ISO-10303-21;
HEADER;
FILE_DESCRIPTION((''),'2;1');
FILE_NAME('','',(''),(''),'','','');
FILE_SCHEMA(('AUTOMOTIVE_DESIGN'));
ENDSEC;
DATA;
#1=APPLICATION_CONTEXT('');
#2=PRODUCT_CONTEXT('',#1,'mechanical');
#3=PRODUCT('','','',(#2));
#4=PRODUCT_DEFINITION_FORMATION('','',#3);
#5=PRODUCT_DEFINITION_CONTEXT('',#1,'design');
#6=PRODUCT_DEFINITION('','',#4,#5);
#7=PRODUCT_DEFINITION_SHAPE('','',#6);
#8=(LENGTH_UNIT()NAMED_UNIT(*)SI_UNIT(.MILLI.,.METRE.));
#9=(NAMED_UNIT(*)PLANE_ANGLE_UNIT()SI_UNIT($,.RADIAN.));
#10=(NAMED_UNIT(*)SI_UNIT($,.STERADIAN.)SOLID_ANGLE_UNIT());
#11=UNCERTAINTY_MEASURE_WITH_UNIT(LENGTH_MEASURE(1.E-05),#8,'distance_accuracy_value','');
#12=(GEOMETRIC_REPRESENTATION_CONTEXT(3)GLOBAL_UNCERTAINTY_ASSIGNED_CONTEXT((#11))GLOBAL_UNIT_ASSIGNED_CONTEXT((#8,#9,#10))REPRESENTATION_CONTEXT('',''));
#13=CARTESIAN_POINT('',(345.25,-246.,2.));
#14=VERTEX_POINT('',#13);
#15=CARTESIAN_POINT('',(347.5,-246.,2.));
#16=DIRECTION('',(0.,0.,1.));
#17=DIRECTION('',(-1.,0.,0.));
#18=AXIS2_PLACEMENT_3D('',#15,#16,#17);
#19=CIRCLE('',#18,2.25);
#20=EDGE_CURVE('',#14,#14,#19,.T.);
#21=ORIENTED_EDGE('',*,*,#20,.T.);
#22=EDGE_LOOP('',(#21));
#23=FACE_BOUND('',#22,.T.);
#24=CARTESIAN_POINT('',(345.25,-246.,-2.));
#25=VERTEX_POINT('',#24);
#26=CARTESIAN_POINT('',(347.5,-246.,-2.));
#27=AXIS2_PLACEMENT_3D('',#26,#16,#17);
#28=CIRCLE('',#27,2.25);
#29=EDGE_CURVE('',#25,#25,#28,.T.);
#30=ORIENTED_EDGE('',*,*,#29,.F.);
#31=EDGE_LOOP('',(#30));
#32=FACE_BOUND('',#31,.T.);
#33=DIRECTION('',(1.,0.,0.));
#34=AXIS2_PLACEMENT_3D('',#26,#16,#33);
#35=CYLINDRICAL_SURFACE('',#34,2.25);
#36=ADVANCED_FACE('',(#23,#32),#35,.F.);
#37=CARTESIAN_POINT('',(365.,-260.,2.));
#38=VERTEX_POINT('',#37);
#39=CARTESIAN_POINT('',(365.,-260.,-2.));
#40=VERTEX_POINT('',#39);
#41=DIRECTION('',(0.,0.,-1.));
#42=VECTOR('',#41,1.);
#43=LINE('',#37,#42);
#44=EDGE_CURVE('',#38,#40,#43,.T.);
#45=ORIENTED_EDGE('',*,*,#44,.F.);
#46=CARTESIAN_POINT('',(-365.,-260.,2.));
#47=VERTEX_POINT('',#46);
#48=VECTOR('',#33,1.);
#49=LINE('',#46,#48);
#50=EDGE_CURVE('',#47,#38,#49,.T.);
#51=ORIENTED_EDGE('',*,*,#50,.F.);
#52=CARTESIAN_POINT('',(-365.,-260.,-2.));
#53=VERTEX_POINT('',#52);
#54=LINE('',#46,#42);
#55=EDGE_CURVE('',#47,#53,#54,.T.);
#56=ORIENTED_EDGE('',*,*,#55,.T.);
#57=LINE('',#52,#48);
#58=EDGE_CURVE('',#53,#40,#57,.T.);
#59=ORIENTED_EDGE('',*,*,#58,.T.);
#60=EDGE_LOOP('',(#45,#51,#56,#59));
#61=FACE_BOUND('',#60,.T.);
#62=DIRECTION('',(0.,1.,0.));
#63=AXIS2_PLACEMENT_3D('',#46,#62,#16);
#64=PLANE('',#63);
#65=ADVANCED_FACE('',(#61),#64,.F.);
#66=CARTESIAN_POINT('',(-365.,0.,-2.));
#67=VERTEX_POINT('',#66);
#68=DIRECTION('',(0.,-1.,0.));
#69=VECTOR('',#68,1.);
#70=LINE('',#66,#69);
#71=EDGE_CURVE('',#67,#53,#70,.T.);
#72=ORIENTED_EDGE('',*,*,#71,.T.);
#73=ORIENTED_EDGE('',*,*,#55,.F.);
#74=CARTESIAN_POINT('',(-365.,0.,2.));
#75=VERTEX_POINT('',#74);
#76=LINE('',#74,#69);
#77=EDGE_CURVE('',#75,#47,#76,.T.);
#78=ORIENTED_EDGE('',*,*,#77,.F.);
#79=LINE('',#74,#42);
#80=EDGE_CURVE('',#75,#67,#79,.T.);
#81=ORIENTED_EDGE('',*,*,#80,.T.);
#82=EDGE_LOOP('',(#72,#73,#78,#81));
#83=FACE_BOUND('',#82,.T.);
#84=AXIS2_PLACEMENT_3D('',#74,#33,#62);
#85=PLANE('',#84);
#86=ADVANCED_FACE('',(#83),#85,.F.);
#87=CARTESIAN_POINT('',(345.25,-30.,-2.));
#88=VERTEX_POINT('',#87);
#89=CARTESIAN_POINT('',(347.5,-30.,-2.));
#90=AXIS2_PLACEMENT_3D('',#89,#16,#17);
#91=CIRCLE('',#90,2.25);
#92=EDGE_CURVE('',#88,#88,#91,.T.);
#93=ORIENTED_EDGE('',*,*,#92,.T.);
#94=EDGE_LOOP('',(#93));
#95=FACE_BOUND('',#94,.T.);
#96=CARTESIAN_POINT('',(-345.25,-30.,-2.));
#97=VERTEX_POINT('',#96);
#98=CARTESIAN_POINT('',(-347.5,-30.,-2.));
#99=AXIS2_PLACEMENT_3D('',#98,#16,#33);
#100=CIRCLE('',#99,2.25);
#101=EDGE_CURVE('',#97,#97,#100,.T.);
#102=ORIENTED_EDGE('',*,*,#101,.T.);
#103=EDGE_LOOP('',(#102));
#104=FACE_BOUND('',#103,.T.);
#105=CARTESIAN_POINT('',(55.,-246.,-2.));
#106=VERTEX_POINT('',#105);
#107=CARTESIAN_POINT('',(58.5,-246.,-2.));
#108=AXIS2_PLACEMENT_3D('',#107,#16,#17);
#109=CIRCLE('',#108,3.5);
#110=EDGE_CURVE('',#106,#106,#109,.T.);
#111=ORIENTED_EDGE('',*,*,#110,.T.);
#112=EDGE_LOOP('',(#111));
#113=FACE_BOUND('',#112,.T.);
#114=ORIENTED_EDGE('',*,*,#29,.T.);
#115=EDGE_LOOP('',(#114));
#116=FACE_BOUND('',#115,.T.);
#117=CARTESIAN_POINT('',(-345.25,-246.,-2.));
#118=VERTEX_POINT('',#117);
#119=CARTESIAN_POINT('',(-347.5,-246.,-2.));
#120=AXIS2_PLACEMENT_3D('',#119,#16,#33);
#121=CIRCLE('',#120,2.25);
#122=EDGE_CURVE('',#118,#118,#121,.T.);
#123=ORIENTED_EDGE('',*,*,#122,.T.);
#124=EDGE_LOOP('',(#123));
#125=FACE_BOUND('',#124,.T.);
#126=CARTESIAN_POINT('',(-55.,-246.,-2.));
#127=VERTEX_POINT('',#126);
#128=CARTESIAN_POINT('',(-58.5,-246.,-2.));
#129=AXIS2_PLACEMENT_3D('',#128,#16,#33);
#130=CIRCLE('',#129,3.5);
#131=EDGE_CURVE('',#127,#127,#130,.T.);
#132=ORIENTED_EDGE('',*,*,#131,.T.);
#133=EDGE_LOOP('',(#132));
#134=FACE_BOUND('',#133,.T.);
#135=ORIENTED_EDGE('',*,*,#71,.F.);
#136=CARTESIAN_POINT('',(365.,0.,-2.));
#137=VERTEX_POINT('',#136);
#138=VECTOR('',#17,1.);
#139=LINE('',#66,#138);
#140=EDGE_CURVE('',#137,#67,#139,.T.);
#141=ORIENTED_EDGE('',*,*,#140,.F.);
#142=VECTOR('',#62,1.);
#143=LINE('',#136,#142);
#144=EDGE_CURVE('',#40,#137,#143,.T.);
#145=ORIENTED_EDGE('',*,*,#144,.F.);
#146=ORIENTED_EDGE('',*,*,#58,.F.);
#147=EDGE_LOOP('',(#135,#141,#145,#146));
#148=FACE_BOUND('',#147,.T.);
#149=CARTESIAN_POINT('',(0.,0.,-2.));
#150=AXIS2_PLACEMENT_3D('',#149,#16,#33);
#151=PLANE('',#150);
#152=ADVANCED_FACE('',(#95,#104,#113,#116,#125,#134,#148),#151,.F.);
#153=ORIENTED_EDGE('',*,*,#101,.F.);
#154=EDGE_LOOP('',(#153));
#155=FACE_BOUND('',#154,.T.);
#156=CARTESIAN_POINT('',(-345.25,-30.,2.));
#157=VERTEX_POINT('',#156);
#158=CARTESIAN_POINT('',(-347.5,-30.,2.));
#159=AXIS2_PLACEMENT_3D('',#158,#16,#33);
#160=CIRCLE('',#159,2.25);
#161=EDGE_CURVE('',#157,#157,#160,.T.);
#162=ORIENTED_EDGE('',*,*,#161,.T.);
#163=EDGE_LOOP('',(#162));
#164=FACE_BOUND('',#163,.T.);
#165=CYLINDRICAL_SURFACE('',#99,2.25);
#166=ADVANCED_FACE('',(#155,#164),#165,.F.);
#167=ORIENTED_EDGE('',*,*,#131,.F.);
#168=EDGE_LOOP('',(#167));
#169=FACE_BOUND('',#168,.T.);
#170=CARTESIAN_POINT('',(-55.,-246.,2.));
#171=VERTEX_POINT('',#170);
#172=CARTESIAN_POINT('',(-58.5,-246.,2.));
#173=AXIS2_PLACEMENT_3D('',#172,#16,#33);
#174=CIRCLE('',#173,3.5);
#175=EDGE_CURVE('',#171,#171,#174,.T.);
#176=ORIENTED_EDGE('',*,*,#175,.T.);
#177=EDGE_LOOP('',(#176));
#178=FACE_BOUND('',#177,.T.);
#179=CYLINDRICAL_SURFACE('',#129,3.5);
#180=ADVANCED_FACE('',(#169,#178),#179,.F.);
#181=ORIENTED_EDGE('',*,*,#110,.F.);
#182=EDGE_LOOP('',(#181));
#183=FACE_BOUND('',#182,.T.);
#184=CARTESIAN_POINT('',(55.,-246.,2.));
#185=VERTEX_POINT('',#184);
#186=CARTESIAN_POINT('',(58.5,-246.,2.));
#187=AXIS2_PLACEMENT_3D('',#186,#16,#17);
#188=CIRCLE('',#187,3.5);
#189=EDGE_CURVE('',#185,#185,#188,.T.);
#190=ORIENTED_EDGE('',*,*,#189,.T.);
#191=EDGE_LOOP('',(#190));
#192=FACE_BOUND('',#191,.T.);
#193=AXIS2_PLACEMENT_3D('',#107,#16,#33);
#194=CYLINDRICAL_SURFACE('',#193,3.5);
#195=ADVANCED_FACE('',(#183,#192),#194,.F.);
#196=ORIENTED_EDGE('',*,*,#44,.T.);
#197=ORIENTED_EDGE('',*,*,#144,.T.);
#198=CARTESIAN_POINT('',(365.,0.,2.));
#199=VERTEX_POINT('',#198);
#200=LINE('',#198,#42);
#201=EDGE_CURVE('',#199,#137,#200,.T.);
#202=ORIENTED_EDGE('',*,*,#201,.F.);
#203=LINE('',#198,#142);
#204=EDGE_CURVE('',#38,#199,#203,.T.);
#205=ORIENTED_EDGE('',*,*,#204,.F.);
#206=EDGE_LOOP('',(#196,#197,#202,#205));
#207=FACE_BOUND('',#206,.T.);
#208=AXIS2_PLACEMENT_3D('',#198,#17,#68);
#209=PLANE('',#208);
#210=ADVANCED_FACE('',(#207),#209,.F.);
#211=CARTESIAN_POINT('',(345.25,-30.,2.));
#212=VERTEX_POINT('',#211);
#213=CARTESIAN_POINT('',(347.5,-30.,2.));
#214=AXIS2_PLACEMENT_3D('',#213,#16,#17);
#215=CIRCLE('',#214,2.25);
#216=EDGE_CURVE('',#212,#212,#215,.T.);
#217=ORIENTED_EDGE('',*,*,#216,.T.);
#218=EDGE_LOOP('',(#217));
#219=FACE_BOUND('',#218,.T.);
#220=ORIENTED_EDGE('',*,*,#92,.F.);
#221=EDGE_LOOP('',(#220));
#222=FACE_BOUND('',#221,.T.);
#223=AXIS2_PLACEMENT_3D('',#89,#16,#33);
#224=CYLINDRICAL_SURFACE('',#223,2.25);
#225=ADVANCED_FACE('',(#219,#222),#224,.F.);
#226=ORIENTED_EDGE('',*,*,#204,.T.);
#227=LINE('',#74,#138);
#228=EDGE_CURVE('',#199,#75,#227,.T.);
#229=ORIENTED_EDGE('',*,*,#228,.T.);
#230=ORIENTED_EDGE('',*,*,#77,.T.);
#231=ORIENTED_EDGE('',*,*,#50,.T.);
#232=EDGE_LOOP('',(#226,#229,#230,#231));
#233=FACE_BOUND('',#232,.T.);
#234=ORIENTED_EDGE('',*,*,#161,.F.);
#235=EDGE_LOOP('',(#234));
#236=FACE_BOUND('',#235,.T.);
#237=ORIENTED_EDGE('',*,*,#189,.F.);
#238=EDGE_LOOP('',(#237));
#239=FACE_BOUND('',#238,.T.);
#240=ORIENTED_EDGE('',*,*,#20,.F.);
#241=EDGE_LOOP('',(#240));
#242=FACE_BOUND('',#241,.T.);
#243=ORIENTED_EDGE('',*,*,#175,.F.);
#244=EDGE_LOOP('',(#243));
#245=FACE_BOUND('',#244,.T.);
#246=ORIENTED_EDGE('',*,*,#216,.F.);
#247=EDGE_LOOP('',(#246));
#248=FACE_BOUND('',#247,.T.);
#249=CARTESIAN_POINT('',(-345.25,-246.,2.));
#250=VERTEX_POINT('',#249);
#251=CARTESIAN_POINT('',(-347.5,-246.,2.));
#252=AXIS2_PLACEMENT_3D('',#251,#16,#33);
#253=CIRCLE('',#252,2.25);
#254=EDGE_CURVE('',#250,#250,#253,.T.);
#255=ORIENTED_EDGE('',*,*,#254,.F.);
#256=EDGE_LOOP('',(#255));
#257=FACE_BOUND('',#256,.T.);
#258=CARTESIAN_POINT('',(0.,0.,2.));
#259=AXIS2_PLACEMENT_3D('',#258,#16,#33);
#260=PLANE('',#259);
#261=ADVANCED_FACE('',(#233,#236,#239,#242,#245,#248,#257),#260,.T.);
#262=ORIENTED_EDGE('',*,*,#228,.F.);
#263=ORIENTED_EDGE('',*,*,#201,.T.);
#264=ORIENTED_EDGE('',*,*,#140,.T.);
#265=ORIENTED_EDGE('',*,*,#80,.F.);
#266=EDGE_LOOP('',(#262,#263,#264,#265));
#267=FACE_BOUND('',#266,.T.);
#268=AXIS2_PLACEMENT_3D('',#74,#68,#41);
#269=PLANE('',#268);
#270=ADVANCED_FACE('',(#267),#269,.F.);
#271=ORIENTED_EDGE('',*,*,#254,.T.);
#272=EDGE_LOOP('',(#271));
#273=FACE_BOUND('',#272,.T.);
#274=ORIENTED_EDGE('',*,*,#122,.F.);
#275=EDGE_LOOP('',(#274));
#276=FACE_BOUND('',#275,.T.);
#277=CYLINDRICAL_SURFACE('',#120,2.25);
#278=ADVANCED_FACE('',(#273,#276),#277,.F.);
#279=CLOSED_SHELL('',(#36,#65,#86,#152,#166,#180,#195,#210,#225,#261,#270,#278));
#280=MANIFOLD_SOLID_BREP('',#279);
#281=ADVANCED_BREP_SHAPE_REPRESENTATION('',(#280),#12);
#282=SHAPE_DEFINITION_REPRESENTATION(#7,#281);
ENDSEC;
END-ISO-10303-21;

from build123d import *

# Parameters (mm, degrees)
SKETCH1_W           = 730
SKETCH1_H           = 260
BOSS_EXTRUDE1_DEPTH = 2
SKETCH2_R           = 2.25
SKETCH2_R_2         = 3.5
CUT_EXTRUDE1_DEPTH  = 449.152875702


with BuildPart() as part:
    # Sketch1 → Boss-Extrude1 (new, symmetric)
    with BuildSketch(Plane.XY):
        with Locations((0, -130)):
            Rectangle(SKETCH1_W, SKETCH1_H)
    extrude(amount=BOSS_EXTRUDE1_DEPTH, both=True)

    # Sketch2 → Cut-Extrude1 (cut, through all)
    with BuildSketch(Plane.XY.offset(2)):
        with Locations((-347.5, -30)):
            Circle(SKETCH2_R)
        with Locations((-347.5, -246)):
            Circle(SKETCH2_R)
        with Locations((-58.5, -246)):
            Circle(SKETCH2_R_2)
        with Locations(Location((58.5, -246, 0), (0, 0, 180))):
            Circle(SKETCH2_R_2)
        with Locations(Location((347.5, -246, 0), (0, 0, 180))):
            Circle(SKETCH2_R)
        with Locations(Location((347.5, -30, 0), (0, 0, 180))):
            Circle(SKETCH2_R)
    extrude(amount=-CUT_EXTRUDE1_DEPTH, mode=Mode.SUBTRACT)


solid = part.part
